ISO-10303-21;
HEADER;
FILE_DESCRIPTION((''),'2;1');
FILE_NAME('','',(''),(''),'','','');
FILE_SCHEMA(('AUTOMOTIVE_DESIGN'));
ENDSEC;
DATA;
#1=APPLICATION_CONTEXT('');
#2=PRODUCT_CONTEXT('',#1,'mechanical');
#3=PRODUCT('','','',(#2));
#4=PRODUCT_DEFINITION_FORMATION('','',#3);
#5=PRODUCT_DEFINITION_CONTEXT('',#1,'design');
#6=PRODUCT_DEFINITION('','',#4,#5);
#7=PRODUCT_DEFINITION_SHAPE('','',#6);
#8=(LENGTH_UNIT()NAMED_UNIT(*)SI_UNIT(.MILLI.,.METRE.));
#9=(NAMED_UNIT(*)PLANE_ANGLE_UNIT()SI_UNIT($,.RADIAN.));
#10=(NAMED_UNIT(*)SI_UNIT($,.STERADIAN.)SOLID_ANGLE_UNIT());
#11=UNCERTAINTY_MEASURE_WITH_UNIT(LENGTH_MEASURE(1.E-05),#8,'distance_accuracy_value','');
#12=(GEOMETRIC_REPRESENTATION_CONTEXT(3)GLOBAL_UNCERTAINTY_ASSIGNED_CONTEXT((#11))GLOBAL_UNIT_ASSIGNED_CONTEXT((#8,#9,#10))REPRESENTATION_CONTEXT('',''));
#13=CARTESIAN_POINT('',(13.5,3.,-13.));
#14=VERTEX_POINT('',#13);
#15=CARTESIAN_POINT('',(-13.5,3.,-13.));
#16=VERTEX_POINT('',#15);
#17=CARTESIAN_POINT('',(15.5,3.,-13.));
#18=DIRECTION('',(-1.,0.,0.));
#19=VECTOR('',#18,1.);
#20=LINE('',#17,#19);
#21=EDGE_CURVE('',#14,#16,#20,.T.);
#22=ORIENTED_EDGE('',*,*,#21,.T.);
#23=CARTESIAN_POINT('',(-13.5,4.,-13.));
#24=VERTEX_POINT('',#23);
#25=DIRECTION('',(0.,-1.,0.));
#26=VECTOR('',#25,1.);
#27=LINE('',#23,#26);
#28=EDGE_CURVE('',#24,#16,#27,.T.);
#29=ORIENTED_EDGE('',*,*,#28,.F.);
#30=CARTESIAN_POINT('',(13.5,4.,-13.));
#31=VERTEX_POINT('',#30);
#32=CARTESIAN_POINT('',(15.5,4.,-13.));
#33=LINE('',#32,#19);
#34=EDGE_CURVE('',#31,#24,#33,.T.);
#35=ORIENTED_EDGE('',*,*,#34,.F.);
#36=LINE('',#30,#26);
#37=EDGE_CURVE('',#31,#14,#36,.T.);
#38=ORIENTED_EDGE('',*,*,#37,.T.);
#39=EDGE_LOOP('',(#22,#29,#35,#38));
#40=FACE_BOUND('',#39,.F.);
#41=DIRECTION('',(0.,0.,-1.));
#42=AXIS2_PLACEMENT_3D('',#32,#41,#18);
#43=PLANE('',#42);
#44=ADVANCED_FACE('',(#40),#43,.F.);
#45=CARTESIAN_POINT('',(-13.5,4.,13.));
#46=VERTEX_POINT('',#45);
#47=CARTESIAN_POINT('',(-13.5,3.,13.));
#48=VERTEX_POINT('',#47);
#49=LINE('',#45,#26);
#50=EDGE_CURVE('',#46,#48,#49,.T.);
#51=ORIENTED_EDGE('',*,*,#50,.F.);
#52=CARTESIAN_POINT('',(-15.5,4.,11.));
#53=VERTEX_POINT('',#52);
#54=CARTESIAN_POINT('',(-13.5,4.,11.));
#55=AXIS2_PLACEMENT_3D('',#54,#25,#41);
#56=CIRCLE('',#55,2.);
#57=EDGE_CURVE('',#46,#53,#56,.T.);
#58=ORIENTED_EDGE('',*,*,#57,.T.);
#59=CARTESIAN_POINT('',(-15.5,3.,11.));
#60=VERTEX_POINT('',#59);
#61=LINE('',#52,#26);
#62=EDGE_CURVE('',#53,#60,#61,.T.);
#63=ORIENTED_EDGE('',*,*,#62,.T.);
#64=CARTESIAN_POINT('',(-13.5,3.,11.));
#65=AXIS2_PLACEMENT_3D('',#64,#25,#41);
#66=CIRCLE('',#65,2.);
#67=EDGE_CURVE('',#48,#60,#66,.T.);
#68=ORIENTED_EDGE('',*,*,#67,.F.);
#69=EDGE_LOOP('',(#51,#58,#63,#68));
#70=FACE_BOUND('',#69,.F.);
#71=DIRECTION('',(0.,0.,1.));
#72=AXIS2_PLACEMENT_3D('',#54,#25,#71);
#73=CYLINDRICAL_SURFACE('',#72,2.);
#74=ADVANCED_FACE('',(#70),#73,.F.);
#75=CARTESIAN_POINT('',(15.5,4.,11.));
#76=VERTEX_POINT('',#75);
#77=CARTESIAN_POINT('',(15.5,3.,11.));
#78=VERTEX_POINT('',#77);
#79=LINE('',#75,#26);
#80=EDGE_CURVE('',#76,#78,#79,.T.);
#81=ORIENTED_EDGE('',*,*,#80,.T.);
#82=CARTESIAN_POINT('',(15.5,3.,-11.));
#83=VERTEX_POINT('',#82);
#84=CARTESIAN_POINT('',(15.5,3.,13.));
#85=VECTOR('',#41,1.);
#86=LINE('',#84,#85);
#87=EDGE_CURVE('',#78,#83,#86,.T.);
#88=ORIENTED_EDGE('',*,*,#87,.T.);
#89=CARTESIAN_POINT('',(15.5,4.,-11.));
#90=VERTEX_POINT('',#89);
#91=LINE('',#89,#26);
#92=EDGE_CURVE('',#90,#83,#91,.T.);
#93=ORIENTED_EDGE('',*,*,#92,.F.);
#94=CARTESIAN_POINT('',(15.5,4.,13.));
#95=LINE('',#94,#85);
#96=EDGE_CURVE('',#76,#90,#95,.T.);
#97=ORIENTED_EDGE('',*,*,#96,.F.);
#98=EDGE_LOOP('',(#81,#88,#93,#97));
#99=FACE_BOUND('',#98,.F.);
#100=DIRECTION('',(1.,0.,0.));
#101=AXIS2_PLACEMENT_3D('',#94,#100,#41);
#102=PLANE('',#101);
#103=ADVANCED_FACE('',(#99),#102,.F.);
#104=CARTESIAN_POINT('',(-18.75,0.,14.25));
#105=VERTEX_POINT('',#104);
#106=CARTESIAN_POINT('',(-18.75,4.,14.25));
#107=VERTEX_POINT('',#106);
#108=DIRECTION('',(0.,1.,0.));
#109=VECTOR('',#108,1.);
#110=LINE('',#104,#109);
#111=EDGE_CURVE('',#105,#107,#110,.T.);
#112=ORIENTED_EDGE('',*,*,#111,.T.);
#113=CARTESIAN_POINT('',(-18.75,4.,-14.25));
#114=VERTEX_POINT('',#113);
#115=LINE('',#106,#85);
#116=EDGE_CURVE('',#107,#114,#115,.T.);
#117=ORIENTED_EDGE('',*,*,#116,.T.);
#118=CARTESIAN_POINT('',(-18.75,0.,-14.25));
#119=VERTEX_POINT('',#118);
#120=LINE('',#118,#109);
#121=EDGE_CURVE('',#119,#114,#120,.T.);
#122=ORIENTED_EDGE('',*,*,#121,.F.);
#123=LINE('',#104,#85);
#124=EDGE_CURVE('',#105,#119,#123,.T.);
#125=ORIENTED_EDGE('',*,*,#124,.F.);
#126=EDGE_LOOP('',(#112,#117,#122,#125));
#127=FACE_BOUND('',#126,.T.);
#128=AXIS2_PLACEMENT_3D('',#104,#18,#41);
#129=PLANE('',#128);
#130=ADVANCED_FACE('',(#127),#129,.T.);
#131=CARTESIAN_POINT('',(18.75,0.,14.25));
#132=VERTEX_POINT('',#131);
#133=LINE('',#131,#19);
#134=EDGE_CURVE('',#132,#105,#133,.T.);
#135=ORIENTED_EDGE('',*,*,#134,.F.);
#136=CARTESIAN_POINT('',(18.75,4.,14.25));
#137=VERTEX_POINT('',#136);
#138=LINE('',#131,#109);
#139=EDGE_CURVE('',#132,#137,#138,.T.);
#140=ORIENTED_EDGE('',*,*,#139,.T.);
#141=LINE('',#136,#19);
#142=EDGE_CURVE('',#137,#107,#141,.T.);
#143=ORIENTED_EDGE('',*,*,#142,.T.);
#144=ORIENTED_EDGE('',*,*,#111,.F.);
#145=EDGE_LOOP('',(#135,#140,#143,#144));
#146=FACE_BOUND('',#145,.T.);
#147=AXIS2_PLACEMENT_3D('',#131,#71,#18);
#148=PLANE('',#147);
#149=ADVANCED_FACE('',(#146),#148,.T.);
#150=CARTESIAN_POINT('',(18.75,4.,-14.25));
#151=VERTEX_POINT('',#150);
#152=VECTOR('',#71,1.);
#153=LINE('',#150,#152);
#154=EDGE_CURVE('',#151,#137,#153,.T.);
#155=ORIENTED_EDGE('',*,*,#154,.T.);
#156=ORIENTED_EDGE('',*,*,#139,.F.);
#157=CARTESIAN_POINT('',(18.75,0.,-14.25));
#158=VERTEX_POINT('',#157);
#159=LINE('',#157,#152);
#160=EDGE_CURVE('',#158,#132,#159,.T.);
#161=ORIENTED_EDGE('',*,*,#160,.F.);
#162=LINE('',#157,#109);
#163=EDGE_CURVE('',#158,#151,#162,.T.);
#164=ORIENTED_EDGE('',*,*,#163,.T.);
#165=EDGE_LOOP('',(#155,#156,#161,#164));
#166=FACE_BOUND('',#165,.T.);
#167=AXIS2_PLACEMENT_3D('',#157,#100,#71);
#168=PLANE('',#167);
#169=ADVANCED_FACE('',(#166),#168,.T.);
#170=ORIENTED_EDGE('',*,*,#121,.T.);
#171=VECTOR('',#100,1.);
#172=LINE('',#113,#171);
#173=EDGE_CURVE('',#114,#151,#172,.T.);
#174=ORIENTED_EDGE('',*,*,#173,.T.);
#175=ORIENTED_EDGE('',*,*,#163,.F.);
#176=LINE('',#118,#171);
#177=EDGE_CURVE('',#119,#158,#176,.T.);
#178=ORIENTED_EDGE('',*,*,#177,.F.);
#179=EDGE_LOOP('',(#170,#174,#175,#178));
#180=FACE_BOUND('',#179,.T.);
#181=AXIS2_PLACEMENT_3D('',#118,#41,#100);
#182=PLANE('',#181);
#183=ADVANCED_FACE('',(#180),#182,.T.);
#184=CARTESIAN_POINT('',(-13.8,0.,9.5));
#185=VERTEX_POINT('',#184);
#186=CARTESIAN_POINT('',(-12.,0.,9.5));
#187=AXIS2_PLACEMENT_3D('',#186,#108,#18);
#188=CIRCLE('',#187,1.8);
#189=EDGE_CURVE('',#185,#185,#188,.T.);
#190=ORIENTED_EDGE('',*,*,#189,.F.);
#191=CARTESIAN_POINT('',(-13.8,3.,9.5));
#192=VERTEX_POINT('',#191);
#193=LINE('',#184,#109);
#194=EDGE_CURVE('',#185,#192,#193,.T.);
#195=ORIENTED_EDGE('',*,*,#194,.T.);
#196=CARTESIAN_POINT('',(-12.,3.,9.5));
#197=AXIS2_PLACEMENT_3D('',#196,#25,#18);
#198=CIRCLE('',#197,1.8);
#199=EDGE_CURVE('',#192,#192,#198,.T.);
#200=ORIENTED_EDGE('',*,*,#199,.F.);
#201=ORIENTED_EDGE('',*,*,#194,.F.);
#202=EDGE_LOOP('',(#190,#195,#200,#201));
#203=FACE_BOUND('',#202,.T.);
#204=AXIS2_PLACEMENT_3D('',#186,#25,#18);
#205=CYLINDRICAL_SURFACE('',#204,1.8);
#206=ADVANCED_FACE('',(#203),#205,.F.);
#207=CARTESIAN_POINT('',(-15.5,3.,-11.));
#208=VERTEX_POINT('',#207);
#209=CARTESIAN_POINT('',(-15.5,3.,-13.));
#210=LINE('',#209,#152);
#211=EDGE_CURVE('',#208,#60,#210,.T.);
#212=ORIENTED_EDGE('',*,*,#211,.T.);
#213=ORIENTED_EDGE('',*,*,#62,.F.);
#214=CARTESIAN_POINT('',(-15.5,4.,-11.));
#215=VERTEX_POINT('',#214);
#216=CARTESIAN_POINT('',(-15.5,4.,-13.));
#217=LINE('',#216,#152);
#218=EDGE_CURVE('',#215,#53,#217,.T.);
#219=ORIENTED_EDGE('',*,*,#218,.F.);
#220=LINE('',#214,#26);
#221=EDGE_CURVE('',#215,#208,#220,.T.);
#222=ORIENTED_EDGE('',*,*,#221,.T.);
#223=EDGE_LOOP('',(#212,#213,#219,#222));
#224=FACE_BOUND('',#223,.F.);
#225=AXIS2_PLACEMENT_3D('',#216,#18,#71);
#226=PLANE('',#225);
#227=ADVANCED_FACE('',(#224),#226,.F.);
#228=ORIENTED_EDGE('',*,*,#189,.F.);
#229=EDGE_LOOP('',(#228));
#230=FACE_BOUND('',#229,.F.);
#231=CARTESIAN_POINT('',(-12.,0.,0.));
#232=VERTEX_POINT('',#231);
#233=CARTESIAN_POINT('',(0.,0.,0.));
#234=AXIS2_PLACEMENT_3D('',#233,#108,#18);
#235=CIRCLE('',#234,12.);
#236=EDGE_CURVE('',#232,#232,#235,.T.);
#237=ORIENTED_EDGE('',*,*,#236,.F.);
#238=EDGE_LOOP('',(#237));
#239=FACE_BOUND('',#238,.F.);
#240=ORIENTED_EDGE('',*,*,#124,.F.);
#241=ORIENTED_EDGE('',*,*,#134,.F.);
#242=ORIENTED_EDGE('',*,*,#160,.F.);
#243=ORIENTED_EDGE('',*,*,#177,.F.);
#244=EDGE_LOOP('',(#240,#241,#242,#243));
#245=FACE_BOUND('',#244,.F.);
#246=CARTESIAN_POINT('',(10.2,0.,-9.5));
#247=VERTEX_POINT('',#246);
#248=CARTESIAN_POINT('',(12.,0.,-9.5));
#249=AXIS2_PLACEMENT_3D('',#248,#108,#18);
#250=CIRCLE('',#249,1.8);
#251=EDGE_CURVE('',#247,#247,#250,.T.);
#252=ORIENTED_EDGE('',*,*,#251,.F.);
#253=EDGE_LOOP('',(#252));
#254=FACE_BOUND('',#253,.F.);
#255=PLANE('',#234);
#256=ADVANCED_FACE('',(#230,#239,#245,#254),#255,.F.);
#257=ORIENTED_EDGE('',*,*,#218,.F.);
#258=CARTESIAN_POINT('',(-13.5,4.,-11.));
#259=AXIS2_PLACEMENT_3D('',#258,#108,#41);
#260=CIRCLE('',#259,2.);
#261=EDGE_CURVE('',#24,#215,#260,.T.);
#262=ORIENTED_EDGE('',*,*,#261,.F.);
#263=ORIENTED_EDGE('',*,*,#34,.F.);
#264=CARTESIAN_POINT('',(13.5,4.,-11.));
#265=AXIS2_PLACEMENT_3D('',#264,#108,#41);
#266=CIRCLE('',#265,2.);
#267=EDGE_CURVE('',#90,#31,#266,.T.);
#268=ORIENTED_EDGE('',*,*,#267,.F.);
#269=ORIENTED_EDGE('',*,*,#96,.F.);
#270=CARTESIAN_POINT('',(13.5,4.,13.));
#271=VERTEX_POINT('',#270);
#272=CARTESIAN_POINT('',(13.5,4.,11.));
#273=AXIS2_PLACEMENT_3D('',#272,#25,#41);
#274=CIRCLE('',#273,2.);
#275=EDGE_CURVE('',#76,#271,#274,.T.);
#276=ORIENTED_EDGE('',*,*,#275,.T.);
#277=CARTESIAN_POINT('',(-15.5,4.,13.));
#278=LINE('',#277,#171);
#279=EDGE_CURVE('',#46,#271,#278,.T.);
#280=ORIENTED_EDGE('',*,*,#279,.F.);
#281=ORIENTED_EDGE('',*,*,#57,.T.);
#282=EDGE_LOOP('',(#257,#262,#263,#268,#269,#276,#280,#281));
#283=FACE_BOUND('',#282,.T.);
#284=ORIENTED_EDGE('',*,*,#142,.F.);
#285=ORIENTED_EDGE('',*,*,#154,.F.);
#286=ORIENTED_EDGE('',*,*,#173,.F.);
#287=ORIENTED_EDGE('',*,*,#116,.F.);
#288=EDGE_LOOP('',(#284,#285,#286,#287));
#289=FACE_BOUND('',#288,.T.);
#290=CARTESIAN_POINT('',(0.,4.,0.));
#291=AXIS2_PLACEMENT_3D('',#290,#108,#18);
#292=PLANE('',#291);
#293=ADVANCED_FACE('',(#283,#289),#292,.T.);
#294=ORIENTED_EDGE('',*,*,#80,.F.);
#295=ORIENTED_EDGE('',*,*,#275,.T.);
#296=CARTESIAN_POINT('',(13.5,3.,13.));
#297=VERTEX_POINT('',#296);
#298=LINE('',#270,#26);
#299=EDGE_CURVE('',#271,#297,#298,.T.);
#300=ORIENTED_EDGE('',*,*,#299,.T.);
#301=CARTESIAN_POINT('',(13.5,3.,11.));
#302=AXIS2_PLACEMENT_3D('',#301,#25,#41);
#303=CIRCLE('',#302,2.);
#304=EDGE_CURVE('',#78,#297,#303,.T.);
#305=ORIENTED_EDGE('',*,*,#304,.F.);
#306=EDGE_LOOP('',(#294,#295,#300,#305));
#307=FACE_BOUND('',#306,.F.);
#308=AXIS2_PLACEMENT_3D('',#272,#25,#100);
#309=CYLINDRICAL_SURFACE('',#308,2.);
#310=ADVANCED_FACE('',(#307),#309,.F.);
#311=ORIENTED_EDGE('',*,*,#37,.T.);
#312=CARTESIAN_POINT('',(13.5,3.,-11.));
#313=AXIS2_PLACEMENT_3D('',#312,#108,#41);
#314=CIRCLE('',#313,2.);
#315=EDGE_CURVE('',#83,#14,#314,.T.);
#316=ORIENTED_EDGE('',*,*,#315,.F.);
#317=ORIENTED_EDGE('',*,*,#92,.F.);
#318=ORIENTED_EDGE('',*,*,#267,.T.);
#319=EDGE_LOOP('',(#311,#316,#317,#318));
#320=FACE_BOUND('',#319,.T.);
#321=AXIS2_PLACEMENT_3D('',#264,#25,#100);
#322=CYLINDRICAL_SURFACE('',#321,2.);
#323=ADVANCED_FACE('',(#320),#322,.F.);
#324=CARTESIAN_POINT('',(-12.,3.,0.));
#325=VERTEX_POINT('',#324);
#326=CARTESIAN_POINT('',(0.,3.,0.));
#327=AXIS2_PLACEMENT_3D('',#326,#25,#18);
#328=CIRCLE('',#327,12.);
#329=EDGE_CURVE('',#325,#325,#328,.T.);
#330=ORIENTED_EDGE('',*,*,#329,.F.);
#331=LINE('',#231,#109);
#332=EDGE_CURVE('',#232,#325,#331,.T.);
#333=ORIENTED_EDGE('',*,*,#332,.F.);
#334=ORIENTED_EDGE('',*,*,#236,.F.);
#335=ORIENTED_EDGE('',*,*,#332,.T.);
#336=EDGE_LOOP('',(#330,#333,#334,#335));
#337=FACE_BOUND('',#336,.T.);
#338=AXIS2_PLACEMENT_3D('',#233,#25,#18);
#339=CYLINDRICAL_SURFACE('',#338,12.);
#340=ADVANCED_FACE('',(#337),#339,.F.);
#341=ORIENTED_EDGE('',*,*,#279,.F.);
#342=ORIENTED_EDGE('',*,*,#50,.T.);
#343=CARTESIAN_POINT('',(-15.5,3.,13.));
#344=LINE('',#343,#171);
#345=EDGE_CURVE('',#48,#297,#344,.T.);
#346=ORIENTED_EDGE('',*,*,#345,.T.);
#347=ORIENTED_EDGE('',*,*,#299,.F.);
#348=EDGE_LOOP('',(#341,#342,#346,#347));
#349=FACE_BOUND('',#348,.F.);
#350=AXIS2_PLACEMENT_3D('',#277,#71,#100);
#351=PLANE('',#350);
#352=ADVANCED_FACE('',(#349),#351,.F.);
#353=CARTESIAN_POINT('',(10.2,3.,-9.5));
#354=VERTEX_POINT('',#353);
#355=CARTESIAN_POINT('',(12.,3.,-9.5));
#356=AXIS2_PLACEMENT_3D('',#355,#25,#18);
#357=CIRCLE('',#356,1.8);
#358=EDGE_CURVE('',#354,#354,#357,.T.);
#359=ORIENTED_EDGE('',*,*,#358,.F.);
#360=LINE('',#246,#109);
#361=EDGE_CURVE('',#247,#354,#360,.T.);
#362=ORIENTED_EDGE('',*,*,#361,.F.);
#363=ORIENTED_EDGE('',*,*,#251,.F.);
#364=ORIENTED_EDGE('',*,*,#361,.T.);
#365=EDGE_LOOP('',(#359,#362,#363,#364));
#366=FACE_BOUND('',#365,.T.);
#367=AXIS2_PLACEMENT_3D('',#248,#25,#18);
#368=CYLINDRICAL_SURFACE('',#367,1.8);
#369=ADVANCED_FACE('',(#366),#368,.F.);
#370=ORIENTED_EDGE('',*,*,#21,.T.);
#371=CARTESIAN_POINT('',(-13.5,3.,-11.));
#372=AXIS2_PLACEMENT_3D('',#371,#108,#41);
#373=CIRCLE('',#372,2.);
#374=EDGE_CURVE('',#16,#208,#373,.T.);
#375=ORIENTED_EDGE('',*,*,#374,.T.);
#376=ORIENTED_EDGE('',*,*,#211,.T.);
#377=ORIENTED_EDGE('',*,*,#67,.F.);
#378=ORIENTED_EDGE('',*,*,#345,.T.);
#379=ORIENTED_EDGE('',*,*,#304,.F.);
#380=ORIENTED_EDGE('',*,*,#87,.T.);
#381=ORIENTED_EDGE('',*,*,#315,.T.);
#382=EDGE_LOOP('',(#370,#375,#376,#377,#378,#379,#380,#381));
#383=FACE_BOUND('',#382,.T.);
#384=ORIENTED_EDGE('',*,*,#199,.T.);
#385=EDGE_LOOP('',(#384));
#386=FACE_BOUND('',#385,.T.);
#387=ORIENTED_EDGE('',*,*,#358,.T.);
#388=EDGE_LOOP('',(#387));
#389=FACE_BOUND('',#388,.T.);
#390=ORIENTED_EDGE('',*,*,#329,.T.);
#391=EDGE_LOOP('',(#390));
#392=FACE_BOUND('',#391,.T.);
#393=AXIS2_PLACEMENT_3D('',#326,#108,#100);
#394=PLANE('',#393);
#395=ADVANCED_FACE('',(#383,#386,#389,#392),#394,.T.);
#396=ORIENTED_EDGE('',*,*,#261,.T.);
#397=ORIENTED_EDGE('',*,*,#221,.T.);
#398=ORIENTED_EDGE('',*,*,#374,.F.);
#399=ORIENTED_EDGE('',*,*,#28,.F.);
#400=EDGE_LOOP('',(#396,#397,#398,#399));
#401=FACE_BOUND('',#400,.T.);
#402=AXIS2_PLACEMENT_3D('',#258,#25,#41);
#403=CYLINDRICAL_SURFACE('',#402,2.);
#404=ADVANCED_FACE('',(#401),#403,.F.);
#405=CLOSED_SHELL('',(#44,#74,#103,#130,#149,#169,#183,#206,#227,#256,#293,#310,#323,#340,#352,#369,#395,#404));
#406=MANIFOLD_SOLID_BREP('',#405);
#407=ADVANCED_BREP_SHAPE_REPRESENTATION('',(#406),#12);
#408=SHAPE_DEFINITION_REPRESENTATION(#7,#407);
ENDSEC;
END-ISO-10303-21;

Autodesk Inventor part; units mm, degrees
ref_plane "YZ Plane" through (0, 0, 0) normal (1, 0, 0) x (0, 1, 0)
ref_plane "XZ Plane" through (0, 0, 0) normal (0, 1, 0) x (-1, 0, 0)
ref_plane "XY Plane" through (0, 0, 0) normal (0, 0, 1) x (1, 0, 0)
sketch "Sketch1" plane through (0, 0, 0) normal (0, 1, 0) x (-1, 0, 0)
  line L0 (15.5, 13) -> (-15.5, 13)
  line L1 (-15.5, 13) -> (-15.5, -13)
  line L2 (-15.5, -13) -> (15.5, -13)
  line L3 (15.5, -13) -> (15.5, 13)
  line L4 (15.5, 13) -> (-15.5, -13) construction
  line L5 (-15.5, 13) -> (15.5, -13) construction
  circle A0 centre (0, 0) radius 12
  circle A1 centre (12, 9.5) radius 1.8
  circle A2 centre (-12, -9.5) radius 1.8
  line L6 (18.75, -14.25) -> (-18.75, -14.25)
  line L7 (-18.75, -14.25) -> (-18.75, 14.25)
  line L8 (-18.75, 14.25) -> (18.75, 14.25)
  line L9 (18.75, 14.25) -> (18.75, -14.25)
  line L10 (18.75, -14.25) -> (-18.75, 14.25) construction
  line L11 (-18.75, -14.25) -> (18.75, 14.25) construction
  dimension "d0" = 31
  dimension "d1" = 26
  dimension "d2" = 24
  dimension "d7" = 3.6
  dimension "d8" = 9.5
  dimension "d9" = 12
  dimension "d10" = 3.6
  dimension "d11" = 9.5
  dimension "d12" = 12
  dimension "d16" = 37.5
  dimension "d17" = 28.5
extrude "Extrusion2" add sketch "Sketch1" along normal blind 4 contours L3 L2 L1 L0 | L6 L7 L8 L9
sketch "Sketch2" plane through (0, 4, 0) normal (0, 1, 0) x (1, 0, 0)
  line L0 (15.5, 13) -> (-15.5, 13) projected
  line L1 (-15.5, -13) -> (15.5, -13) projected
  line L2 (-18.75, -14.25) -> (18.75, -14.25) projected
  line L3 (18.75, -14.25) -> (18.75, 14.25) projected
  line L4 (18.75, 14.25) -> (-18.75, 14.25) projected
  line L5 (-18.75, 14.25) -> (-18.75, -14.25) projected
  circle A0 centre (0, 0) radius 12 projected
  circle A1 centre (-12, -9.5) radius 1.8 projected
  circle A2 centre (12, 9.5) radius 1.8 projected
  line L6 (15.5, -13) -> (15.5, 13) projected
  line L7 (-15.5, 13) -> (-15.5, -13) projected
extrude "Extrusion3" cut sketch "Sketch2" against normal blind 1 contours L6 L1 L7 L0 | A0 | A1 | A2
fillet "Fillet2" radius 2 4 edges at (-15.5, 3.5, -13) (-15.5, 3.5, 13) (15.5, 3.5, 13) (15.5, 3.5, -13)
equation "\"d10\" = d7"
equation "\"d11\" = d8"
equation "\"d12\" = d9"
properties part number "inner clamp plate_3DPrint"
